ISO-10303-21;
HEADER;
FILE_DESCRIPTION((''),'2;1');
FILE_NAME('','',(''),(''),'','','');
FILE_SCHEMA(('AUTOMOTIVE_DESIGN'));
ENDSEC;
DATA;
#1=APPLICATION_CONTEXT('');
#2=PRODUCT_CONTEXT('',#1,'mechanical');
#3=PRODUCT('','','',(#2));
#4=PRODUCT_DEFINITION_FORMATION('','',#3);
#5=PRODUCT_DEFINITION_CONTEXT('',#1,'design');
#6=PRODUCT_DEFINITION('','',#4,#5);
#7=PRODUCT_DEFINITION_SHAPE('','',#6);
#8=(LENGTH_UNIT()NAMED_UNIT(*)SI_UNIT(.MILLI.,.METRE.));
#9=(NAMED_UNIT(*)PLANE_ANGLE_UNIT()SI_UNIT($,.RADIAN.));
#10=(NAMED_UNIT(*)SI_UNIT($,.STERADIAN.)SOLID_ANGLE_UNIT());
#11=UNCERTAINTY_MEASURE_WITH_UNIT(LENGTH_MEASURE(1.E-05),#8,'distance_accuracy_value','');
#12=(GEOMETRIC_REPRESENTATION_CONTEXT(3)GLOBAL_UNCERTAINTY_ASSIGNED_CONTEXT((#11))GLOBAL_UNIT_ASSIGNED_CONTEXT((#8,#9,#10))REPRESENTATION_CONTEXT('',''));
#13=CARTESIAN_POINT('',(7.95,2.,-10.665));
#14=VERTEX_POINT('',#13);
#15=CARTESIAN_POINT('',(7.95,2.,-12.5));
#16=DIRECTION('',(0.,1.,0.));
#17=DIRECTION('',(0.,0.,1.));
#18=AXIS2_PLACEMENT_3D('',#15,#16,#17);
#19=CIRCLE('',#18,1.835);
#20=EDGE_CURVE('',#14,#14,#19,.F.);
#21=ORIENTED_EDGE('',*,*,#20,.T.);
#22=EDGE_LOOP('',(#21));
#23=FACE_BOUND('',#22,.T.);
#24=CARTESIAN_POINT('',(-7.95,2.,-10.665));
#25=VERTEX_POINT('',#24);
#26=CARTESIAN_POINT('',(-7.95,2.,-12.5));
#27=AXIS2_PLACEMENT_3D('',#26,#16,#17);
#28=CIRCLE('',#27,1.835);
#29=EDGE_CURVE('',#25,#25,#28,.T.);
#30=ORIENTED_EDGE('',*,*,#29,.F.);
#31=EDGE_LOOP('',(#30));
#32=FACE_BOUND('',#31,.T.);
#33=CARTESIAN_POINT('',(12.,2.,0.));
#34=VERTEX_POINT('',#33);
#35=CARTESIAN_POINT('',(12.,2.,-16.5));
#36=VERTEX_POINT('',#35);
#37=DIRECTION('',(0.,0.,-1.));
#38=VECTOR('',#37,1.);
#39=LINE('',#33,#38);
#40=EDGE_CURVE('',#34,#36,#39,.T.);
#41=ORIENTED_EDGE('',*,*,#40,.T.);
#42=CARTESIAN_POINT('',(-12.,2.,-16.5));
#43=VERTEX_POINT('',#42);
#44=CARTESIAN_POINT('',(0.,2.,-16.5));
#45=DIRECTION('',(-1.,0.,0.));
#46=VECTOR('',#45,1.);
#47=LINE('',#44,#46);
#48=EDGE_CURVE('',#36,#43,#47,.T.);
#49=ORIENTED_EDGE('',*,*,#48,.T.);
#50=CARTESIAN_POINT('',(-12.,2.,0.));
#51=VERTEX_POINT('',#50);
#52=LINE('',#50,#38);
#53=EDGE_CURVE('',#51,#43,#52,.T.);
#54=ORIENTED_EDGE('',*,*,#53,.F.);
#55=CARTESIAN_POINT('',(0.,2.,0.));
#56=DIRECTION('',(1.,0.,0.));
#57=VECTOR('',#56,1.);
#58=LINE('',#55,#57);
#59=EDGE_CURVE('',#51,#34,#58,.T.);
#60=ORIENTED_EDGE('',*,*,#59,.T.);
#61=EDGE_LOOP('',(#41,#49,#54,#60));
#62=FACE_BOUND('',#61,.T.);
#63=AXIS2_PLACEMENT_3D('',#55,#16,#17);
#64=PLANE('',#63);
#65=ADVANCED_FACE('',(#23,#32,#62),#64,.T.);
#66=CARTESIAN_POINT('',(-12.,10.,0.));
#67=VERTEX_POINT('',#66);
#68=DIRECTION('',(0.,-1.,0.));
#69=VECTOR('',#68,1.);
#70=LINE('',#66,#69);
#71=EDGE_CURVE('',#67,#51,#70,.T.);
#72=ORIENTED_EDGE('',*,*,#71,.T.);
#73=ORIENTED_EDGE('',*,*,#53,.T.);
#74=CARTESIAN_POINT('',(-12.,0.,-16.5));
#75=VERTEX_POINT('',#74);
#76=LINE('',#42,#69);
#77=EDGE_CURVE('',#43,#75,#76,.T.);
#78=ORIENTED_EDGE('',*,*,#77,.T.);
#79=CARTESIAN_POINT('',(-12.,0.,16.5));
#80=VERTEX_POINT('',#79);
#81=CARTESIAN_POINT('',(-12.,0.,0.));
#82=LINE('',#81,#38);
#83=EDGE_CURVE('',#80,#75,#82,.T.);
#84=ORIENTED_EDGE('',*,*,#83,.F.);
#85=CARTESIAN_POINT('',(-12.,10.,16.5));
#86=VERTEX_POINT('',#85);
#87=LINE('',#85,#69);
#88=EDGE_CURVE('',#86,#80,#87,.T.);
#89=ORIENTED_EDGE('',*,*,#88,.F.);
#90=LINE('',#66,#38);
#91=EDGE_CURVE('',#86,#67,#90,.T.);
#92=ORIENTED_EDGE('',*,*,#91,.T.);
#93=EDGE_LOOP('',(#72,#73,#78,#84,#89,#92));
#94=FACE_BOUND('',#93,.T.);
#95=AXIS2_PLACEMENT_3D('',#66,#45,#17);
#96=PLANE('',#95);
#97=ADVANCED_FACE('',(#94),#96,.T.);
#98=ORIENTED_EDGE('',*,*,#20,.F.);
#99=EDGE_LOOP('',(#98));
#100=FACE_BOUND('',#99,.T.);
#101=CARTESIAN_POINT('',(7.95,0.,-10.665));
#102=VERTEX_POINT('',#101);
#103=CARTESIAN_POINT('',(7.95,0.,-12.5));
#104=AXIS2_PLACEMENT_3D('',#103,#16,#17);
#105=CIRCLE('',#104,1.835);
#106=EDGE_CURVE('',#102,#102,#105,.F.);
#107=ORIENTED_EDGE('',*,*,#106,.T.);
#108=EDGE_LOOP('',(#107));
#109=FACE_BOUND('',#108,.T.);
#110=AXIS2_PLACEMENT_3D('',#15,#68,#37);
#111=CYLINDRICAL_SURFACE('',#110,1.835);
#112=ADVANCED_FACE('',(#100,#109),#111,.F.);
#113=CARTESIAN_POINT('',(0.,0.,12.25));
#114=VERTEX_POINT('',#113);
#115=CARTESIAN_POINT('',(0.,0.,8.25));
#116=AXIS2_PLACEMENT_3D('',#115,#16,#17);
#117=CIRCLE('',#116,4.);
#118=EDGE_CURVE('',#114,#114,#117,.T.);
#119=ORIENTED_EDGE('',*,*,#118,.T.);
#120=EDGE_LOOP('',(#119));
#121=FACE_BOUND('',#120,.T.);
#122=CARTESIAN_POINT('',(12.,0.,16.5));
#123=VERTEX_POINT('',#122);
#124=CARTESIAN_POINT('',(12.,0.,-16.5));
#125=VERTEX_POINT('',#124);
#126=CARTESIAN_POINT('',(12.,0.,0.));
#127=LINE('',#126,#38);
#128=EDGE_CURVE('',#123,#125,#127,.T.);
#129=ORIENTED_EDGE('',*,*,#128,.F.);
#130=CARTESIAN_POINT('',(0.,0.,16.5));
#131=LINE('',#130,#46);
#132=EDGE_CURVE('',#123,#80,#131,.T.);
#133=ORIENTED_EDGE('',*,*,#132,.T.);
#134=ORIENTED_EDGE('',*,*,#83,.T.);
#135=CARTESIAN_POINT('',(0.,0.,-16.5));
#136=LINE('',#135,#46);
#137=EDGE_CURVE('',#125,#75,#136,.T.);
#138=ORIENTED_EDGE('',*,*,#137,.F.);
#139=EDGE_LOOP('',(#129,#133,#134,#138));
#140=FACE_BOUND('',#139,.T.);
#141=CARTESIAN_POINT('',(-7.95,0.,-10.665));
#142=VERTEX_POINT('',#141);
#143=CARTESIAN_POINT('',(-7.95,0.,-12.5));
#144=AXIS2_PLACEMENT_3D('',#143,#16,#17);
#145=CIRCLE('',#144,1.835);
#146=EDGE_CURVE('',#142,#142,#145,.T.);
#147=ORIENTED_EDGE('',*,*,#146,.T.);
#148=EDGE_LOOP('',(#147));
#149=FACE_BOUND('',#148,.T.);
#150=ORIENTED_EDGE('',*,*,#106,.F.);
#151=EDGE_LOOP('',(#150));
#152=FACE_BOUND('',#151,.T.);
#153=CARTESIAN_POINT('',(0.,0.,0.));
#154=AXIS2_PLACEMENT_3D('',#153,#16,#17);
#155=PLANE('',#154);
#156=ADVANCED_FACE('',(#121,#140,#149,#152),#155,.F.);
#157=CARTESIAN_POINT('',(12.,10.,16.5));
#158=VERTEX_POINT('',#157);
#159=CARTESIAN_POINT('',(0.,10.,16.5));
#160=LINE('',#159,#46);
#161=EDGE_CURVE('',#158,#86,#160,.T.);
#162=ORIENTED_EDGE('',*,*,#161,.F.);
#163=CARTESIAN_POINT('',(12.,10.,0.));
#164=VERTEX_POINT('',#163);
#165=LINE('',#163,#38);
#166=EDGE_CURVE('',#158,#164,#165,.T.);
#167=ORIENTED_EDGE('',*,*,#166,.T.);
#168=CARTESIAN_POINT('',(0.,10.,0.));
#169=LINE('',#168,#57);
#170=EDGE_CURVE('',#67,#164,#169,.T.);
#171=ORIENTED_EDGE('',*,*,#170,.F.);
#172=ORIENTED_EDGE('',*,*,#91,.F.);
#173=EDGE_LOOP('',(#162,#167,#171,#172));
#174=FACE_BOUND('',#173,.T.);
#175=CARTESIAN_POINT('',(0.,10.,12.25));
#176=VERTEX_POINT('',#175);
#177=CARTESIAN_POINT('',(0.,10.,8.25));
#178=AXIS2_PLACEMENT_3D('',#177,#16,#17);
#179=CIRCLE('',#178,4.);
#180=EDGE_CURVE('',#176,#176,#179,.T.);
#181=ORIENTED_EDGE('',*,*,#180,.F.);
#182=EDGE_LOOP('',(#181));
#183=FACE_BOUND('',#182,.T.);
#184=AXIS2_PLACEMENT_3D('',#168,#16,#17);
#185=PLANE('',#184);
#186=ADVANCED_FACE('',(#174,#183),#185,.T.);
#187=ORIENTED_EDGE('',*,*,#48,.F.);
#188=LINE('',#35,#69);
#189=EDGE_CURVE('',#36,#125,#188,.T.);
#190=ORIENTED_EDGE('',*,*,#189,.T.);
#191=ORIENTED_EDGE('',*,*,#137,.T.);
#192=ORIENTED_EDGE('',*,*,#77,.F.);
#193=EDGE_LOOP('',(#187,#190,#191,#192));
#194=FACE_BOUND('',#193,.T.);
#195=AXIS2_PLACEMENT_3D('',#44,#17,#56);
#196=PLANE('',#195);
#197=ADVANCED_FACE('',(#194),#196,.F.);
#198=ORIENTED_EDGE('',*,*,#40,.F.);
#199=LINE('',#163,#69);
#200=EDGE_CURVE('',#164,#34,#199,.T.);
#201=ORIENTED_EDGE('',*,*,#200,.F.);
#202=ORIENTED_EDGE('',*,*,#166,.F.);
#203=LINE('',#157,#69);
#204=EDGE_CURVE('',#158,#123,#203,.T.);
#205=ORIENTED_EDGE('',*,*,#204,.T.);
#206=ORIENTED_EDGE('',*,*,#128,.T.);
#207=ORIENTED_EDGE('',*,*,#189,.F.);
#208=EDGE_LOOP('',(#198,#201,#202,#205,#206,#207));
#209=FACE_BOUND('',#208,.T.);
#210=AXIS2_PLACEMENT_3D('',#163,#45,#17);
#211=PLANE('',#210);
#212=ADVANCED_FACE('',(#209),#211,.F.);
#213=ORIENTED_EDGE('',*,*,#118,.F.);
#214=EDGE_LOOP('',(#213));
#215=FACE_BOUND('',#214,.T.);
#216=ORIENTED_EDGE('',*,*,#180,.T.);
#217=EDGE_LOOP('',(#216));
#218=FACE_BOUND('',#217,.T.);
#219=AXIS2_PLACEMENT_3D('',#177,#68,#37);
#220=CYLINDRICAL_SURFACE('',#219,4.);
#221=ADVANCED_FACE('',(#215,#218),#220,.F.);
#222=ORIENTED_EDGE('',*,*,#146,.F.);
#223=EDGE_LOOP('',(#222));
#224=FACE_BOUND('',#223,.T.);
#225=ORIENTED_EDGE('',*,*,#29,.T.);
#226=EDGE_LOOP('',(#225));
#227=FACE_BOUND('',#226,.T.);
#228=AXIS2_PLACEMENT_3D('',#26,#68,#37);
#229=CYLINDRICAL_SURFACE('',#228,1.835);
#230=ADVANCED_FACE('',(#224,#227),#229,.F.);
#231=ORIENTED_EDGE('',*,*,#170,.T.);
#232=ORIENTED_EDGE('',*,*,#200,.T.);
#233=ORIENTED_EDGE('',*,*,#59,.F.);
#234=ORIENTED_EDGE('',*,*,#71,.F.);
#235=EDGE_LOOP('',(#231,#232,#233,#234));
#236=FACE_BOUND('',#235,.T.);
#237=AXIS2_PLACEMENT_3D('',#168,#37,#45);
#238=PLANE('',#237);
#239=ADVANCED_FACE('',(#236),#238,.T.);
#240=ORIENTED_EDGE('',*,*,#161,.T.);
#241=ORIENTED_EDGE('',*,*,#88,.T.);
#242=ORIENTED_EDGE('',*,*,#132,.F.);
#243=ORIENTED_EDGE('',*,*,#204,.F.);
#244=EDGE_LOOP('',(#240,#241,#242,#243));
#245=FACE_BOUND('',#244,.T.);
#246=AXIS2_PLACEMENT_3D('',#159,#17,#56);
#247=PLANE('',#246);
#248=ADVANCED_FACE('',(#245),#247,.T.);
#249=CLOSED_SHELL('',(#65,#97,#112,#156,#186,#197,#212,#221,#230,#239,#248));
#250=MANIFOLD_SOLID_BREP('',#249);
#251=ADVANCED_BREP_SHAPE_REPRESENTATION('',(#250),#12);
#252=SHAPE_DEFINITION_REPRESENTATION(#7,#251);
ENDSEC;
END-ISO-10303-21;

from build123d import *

# Parameters (mm, degrees)
SKETCH2_W           = 24
SKETCH2_H           = 16.5
SKETCH2_R           = 4
BOSS_EXTRUDE1_DEPTH = 10
SKETCH2_3_W         = 24
SKETCH2_3_H         = 16.5
SKETCH2_3_R         = 1.835
BOSS_EXTRUDE2_DEPTH = 2


with BuildPart() as part:
    # Sketch2 → Boss-Extrude1 (new body)
    with BuildSketch(Plane(origin=(0, 0, 0), x_dir=(1, 0, 0), z_dir=(0, 1, 0))):
        with Locations((0, -8.25)):
            Rectangle(SKETCH2_W, SKETCH2_H)
        with Locations((0, -8.25)):
            Circle(SKETCH2_R, mode=Mode.SUBTRACT)
    extrude(amount=BOSS_EXTRUDE1_DEPTH)

    # Sketch2<3> → Boss-Extrude2 (add)
    with BuildSketch(Plane(origin=(0, 0, 0), x_dir=(1, 0, 0), z_dir=(0, 1, 0))):
        with Locations((0, 8.25)):
            Rectangle(SKETCH2_3_W, SKETCH2_3_H)
        with Locations((-7.95, 12.5)):
            Circle(SKETCH2_3_R, mode=Mode.SUBTRACT)
        with Locations((7.95, 12.5)):
            Circle(SKETCH2_3_R, mode=Mode.SUBTRACT)
    extrude(amount=BOSS_EXTRUDE2_DEPTH)


solid = part.part
